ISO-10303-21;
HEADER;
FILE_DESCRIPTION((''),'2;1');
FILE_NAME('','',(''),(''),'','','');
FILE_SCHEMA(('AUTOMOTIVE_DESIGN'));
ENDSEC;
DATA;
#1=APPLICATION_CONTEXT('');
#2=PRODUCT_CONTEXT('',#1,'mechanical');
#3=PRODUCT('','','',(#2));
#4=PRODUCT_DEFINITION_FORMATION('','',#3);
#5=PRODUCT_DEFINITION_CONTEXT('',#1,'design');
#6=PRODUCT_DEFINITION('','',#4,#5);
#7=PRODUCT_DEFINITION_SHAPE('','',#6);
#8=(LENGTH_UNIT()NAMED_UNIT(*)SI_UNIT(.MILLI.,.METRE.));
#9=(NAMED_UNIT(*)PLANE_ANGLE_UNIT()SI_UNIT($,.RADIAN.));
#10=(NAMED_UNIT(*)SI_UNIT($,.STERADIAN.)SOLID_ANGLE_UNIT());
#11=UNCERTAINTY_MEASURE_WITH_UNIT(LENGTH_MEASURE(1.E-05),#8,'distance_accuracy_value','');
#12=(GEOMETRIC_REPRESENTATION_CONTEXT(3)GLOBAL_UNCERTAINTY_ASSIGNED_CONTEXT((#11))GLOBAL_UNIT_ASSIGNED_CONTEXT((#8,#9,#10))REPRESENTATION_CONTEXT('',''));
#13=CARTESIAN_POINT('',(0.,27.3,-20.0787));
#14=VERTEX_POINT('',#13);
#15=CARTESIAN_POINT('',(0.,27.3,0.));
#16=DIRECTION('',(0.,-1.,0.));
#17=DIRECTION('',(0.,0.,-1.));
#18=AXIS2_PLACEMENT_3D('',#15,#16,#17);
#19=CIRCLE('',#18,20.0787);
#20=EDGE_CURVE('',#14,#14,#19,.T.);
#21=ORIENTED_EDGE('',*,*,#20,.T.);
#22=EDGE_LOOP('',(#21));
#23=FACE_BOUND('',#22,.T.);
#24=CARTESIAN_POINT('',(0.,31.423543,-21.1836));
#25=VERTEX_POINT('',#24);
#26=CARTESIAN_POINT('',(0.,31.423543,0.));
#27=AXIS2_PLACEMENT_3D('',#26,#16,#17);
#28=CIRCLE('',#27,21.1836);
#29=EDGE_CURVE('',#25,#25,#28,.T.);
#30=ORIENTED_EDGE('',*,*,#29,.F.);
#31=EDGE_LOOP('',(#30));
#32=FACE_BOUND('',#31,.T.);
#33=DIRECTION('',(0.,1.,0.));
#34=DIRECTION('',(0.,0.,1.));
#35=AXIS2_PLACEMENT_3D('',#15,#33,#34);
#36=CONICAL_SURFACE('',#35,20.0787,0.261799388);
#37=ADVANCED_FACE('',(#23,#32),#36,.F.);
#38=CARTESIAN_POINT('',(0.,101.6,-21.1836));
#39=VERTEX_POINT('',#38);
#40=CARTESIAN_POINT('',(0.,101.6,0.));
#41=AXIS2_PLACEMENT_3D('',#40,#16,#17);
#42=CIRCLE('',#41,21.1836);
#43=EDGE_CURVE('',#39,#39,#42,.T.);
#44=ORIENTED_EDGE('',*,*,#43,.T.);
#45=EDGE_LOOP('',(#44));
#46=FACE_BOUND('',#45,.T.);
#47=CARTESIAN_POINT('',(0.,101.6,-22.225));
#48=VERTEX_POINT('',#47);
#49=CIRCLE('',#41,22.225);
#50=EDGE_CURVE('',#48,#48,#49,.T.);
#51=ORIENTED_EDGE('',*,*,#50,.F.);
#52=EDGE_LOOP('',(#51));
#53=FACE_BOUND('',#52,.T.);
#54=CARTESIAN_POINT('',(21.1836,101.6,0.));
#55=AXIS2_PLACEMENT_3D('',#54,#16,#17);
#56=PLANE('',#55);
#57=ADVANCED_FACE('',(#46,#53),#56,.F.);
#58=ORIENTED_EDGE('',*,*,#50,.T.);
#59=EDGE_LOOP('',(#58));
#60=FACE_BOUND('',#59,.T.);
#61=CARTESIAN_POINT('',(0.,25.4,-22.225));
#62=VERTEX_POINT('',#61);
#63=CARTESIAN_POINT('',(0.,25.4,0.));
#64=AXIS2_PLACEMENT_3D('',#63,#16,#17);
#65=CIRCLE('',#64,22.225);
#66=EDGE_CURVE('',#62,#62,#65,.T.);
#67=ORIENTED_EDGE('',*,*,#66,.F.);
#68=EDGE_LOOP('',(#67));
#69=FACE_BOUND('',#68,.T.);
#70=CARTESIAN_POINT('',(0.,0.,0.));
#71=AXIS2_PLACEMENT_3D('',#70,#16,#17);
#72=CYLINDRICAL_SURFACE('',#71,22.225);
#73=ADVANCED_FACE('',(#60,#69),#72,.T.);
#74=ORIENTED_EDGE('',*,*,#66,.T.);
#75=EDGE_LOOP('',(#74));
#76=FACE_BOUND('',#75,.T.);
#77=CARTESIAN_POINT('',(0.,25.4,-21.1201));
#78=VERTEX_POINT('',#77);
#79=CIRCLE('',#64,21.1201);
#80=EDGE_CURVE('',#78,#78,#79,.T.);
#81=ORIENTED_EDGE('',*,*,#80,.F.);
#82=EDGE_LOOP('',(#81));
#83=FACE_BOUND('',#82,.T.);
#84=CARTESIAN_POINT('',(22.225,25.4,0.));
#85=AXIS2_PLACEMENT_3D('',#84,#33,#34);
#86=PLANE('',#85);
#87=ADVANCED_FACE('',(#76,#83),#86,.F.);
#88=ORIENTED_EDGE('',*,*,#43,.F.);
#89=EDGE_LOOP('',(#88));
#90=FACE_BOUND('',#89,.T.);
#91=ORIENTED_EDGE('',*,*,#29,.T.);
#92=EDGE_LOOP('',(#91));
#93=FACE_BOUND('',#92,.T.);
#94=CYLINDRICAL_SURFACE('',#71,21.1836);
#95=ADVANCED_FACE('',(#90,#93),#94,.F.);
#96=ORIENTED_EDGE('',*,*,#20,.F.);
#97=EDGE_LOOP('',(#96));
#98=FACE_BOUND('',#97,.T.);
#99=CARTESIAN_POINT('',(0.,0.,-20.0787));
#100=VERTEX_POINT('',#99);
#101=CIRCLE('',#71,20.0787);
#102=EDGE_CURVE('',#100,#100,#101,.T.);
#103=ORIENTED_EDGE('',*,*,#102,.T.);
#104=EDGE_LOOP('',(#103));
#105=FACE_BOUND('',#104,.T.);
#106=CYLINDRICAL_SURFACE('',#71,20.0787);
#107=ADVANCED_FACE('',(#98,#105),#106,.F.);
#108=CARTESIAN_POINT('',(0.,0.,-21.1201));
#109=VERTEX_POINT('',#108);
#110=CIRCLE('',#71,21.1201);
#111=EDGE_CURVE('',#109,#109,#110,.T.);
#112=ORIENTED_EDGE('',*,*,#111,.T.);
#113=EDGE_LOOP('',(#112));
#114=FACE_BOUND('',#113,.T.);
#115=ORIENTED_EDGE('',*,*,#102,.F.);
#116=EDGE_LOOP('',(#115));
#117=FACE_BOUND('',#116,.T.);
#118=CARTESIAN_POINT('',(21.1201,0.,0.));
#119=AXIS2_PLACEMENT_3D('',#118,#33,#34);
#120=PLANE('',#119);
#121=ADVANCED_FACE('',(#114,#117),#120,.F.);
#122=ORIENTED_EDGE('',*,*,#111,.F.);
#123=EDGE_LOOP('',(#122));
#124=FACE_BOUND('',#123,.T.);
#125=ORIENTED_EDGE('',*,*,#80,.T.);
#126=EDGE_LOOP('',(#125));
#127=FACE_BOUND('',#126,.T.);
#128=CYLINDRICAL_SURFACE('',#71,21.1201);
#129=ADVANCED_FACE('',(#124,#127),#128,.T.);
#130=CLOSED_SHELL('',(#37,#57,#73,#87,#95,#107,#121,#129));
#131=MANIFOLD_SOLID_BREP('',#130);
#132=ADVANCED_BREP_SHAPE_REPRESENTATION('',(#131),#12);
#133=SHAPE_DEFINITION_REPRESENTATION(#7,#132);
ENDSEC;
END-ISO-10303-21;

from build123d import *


with BuildPart() as part:
    # Sketch1 → Revolve1 (revolve)
    with BuildSketch(Plane.XY, mode=Mode.PRIVATE) as revolve1_sk:
        Polygon((-20.0787, 0), (-20.0787, 27.3), (-21.1836, 31.423542937), (-21.1836, 101.6), (-22.225, 101.6), (-22.225, 25.4), (-21.1201, 25.4), (-21.1201, 0), align=None)
    revolve(revolve1_sk.sketch.rotate(Axis((0, 0, 0), (0, 1, 0)), 270), axis=Axis((0, 0, 0), (0, 1, 0)))


solid = part.part
